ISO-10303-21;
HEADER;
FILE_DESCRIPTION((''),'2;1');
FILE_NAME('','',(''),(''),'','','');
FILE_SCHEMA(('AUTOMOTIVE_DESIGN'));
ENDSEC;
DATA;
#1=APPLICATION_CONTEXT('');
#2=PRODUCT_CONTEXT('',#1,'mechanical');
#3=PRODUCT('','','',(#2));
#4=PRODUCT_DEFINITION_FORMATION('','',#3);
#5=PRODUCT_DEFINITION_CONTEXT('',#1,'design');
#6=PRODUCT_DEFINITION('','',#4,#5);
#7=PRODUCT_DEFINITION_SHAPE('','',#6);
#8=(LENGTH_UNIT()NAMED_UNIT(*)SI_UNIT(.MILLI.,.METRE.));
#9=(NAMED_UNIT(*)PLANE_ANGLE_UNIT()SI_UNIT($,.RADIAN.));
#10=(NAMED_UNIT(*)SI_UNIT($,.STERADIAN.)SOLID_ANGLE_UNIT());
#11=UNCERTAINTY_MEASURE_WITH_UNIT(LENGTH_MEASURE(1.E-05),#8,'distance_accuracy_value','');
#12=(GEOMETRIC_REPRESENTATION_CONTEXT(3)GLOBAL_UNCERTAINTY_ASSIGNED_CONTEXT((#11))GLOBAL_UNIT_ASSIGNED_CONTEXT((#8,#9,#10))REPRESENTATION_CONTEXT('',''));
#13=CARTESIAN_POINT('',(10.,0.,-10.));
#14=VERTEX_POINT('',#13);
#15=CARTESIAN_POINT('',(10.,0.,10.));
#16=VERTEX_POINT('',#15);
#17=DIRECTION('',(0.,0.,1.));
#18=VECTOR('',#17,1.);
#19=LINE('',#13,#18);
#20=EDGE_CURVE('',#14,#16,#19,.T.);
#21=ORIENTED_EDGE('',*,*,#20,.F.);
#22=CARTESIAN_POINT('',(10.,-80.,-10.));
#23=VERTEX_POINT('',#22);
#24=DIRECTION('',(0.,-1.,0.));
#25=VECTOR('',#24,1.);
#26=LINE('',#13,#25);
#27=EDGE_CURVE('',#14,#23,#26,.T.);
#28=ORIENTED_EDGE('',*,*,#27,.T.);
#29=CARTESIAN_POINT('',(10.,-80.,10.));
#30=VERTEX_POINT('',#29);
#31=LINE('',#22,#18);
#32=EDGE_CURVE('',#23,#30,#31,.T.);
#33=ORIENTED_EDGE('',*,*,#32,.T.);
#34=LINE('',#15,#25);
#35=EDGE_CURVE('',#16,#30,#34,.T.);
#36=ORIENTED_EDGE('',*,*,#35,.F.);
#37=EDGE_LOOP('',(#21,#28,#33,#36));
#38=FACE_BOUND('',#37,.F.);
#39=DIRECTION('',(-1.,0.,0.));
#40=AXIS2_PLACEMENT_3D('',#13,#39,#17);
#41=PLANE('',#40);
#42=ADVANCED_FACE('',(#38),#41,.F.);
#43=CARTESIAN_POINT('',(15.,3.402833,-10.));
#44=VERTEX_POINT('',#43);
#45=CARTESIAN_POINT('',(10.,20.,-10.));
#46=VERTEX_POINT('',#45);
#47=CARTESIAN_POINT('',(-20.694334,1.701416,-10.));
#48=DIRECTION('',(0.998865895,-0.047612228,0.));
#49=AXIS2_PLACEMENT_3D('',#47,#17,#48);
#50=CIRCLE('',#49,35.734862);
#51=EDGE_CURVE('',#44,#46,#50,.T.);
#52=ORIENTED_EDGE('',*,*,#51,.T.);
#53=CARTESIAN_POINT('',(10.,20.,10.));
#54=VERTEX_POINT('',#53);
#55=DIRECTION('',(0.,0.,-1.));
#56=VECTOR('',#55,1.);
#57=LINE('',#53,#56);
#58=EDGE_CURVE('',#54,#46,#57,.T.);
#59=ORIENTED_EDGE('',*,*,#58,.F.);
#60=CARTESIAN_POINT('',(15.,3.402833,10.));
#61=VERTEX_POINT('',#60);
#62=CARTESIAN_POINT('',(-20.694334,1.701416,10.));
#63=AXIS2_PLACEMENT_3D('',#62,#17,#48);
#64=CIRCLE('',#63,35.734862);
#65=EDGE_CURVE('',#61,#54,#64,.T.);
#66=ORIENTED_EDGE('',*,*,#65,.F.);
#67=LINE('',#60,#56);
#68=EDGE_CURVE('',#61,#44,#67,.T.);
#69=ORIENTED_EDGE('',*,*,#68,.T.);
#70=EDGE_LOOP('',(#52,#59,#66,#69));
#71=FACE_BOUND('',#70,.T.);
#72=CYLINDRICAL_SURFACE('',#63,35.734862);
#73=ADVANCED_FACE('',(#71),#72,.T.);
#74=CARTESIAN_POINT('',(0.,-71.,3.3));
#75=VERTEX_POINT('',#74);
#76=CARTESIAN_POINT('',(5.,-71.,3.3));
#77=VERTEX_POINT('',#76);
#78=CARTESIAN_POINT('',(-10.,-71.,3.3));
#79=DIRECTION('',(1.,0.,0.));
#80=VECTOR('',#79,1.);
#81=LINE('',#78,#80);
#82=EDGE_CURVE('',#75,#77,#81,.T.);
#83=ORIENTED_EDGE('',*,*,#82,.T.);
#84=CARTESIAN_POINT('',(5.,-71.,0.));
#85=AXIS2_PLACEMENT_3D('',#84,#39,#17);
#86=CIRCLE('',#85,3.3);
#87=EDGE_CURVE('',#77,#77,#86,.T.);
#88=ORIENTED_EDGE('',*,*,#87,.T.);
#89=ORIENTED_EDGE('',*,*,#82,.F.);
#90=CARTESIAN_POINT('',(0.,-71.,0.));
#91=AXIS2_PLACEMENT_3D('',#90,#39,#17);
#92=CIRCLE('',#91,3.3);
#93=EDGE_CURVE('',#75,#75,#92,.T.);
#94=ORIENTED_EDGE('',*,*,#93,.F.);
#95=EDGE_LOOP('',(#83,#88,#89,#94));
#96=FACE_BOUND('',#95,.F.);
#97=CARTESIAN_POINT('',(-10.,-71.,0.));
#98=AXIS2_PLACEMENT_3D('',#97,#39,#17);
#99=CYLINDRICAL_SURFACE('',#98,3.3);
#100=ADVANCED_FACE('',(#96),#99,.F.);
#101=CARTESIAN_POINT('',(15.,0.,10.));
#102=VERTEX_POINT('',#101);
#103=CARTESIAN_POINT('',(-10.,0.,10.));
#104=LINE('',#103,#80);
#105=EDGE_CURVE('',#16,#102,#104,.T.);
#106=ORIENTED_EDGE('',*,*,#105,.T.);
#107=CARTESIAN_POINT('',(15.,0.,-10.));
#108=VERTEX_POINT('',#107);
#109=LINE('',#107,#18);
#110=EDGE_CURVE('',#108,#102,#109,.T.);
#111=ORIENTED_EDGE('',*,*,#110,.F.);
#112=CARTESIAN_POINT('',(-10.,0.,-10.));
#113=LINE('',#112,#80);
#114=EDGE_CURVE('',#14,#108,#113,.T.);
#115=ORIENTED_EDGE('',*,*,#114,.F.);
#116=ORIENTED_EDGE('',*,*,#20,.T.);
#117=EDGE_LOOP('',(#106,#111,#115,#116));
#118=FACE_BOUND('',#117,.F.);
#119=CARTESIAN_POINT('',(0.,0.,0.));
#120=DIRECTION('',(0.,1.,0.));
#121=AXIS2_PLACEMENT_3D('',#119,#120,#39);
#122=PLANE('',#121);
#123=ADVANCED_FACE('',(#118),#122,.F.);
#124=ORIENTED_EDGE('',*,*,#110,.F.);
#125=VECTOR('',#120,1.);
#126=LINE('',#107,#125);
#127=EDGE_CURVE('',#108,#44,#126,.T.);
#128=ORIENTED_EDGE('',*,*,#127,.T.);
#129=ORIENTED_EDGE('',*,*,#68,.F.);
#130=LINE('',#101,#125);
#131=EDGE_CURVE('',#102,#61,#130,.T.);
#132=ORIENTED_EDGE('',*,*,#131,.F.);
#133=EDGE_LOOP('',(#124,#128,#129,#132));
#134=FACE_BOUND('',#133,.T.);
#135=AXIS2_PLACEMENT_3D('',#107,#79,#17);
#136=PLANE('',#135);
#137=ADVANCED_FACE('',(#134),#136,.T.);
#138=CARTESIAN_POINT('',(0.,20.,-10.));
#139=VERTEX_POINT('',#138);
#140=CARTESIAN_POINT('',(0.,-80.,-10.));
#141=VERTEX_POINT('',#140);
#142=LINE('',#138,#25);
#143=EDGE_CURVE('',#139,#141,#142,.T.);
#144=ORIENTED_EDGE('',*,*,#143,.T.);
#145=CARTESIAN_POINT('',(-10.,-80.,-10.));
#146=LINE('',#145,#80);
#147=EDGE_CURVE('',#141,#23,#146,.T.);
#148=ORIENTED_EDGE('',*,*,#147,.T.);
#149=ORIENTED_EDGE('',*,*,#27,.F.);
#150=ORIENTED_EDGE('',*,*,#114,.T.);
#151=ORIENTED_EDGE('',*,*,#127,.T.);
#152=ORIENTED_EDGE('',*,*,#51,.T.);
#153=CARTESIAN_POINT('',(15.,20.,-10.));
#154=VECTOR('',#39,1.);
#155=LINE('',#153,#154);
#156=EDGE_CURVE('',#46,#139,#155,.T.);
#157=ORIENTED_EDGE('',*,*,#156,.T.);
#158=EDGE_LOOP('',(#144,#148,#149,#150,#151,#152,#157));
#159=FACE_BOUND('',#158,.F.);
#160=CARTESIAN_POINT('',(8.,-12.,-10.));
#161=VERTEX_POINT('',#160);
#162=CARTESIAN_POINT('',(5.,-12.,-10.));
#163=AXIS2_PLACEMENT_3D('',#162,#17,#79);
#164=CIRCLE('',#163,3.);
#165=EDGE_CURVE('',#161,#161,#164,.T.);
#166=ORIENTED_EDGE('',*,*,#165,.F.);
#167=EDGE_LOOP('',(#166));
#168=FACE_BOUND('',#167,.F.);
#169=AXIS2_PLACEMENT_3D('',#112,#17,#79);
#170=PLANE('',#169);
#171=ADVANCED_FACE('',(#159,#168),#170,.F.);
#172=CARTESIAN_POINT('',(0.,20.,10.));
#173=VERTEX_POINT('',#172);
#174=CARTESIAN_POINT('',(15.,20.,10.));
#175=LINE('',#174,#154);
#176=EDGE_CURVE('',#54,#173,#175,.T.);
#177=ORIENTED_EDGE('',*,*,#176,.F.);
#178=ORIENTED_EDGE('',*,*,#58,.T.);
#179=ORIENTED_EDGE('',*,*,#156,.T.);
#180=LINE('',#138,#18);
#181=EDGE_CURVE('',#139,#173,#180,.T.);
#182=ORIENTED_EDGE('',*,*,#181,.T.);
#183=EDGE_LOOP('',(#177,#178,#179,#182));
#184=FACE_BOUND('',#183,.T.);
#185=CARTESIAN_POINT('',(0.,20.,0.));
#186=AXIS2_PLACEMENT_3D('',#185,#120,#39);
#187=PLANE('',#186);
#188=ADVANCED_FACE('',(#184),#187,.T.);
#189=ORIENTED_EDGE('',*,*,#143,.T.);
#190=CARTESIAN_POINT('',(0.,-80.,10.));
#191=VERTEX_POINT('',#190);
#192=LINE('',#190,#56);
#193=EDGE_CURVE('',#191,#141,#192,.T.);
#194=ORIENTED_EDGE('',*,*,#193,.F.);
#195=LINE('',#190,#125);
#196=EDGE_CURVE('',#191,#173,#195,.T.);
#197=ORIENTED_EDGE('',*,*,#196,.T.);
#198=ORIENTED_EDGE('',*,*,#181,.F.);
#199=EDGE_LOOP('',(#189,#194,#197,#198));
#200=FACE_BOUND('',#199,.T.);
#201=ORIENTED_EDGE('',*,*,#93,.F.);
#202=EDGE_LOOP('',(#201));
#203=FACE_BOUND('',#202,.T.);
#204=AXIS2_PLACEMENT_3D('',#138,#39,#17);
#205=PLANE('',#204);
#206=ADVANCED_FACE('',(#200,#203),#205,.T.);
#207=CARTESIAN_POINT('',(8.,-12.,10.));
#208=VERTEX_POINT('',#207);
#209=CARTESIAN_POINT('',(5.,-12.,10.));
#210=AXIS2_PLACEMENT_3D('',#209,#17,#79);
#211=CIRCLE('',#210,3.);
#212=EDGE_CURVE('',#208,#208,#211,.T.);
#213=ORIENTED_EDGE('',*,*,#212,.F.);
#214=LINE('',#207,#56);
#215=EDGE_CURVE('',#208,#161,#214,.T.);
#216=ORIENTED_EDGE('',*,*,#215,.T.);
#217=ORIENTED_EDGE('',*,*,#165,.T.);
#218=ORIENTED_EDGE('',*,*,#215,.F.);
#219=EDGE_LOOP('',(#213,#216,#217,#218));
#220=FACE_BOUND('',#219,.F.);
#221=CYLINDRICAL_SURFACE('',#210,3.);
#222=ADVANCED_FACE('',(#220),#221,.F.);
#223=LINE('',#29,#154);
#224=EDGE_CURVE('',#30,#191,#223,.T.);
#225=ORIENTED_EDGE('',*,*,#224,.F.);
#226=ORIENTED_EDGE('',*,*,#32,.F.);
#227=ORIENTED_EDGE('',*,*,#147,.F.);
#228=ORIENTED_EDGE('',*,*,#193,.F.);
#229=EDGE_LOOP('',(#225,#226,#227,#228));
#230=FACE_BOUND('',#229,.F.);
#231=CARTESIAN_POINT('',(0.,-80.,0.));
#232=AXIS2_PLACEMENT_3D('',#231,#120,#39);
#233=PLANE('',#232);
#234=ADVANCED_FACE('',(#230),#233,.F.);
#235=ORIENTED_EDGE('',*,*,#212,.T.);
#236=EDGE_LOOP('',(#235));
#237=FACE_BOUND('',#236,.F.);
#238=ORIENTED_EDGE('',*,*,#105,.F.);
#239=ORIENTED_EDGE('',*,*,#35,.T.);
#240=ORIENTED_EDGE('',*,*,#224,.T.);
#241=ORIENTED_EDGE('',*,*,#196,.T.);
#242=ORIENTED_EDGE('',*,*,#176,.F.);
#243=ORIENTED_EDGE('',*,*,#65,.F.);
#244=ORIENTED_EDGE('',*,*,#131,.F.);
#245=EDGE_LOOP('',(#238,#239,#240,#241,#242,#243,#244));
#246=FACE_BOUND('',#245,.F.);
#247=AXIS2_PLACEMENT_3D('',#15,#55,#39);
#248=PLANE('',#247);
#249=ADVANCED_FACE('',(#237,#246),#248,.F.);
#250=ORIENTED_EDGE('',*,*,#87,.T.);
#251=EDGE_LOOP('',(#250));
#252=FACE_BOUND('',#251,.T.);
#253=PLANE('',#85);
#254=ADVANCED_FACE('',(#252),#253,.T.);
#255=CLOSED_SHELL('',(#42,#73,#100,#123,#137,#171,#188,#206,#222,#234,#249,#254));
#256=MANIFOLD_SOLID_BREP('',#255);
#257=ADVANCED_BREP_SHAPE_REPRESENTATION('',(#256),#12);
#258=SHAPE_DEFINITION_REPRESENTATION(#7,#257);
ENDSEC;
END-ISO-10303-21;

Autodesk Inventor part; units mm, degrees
ref_plane "YZ Plane" through (0, 0, 0) normal (1, 0, 0) x (0, 1, 0)
ref_plane "XZ Plane" through (0, 0, 0) normal (0, 1, 0) x (-1, 0, 0)
ref_plane "XY Plane" through (0, 0, 0) normal (0, 0, 1) x (1, 0, 0)
sketch "스케치1" plane through (0, 0, 0) normal (0, 1, 0) x (-1, 0, 0)
  line L0 (-10, 10) -> (10, 10)
  line L1 (10, 10) -> (10, -10)
  line L2 (10, -10) -> (-10, -10)
  line L3 (-10, -10) -> (-10, 10)
  line L4 (-10, 10) -> (10, -10) construction
  line L5 (10, 10) -> (-10, -10) construction
  line L6 (-10, -10) -> (-15, -10)
  line L7 (-15, -10) -> (-15, 10)
  line L8 (-15, 10) -> (-10, 10)
  line L9 (-10, 10) -> (-10, -10)
  point P0 (0, 0)
  dimension "d0" = 20
  dimension "d1" = 20
  dimension "d2" = 5
extrude "돌출1" add sketch "스케치1" along normal blind 20
extrude "돌출2" add sketch "스케치1" against normal blind 80 contours L0 L1 L2 L3
sketch "스케치2" plane through (-10, 20, -10) normal (-1, 0, 0) x (0, 0, 1)
  line L0 (20, -100) -> (20, 0) projected
  line L1 (0, 0) -> (20, 0) projected
  line L2 (0, 0) -> (0, -100) projected
  line L3 (20, -100) -> (0, -100) projected
  circle A0 centre (10, -91) radius 3.3
  point P0 (10, -20)
  dimension "d7" = 6.6
  dimension "d8" = 9
sketch "스케치3" plane through (-10, 20, 10) normal (0, 0, 1) x (1, 0, 0)
  line L0 (20, -20) -> (25, -20) projected
  line L1 (25, -20) -> (25, 0) projected
  line L2 (0, 0) -> (25, 0) projected
  line L3 (0, -100) -> (0, 0) projected
  line L4 (20, -100) -> (0, -100) projected
  line L5 (20, -20) -> (20, -100) projected
  line L6 (25, -20) -> (25, 0) projected
  line L7 (25, 0) -> (0, 0) projected
  arc A0 (25, -20) -> (20, 0) centre (-10.6945, -18.2986) ccw
  line L8 (20, 0) -> (25, 0)
  line L9 (25, 0) -> (25, -20)
  point P0 (10, -20)
  point P1 (20, 0)
  point P2 (25, -16.5972)
extrude "돌출4" cut sketch "스케치3" against normal blind 20 contours A0 L2 L1
extrude "돌출5" cut sketch "스케치2" against normal blind 10
sketch "스케치4" plane through (-10, -71, 0) normal (-1, 0, 0) x (0, 0, 1)
  circle A0 centre (0, 0) radius 3.3 projected
  point P0 (0, 71)
extrude "돌출6" cut sketch "스케치4" against normal blind 15
sketch "스케치5" plane through (10, 0, 10) normal (0, 0, 1) x (1, 0, 0)
  line L0 (-10, 20) -> (-10, -80) projected
  line L1 (0, -80) -> (-10, -80) projected
  line L2 (0, 0) -> (0, -80) projected
  line L3 (0, 0) -> (5, 0) projected
  line L4 (5, 0) -> (5, 3.4028) projected
  arc A0 (5, 3.4028) -> (0, 20) centre (-30.6945, 1.7014) ccw projected
  line L5 (-10, 20) -> (0, 20) projected
  circle A1 centre (-5, -12) radius 3
  point P0 (-10, 0)
  dimension "d19" = 6
  dimension "d20" = 32
extrude "돌출7" cut sketch "스케치5" against normal blind 20 contours A1
properties part number "final_탄두조절자ver0.1"
